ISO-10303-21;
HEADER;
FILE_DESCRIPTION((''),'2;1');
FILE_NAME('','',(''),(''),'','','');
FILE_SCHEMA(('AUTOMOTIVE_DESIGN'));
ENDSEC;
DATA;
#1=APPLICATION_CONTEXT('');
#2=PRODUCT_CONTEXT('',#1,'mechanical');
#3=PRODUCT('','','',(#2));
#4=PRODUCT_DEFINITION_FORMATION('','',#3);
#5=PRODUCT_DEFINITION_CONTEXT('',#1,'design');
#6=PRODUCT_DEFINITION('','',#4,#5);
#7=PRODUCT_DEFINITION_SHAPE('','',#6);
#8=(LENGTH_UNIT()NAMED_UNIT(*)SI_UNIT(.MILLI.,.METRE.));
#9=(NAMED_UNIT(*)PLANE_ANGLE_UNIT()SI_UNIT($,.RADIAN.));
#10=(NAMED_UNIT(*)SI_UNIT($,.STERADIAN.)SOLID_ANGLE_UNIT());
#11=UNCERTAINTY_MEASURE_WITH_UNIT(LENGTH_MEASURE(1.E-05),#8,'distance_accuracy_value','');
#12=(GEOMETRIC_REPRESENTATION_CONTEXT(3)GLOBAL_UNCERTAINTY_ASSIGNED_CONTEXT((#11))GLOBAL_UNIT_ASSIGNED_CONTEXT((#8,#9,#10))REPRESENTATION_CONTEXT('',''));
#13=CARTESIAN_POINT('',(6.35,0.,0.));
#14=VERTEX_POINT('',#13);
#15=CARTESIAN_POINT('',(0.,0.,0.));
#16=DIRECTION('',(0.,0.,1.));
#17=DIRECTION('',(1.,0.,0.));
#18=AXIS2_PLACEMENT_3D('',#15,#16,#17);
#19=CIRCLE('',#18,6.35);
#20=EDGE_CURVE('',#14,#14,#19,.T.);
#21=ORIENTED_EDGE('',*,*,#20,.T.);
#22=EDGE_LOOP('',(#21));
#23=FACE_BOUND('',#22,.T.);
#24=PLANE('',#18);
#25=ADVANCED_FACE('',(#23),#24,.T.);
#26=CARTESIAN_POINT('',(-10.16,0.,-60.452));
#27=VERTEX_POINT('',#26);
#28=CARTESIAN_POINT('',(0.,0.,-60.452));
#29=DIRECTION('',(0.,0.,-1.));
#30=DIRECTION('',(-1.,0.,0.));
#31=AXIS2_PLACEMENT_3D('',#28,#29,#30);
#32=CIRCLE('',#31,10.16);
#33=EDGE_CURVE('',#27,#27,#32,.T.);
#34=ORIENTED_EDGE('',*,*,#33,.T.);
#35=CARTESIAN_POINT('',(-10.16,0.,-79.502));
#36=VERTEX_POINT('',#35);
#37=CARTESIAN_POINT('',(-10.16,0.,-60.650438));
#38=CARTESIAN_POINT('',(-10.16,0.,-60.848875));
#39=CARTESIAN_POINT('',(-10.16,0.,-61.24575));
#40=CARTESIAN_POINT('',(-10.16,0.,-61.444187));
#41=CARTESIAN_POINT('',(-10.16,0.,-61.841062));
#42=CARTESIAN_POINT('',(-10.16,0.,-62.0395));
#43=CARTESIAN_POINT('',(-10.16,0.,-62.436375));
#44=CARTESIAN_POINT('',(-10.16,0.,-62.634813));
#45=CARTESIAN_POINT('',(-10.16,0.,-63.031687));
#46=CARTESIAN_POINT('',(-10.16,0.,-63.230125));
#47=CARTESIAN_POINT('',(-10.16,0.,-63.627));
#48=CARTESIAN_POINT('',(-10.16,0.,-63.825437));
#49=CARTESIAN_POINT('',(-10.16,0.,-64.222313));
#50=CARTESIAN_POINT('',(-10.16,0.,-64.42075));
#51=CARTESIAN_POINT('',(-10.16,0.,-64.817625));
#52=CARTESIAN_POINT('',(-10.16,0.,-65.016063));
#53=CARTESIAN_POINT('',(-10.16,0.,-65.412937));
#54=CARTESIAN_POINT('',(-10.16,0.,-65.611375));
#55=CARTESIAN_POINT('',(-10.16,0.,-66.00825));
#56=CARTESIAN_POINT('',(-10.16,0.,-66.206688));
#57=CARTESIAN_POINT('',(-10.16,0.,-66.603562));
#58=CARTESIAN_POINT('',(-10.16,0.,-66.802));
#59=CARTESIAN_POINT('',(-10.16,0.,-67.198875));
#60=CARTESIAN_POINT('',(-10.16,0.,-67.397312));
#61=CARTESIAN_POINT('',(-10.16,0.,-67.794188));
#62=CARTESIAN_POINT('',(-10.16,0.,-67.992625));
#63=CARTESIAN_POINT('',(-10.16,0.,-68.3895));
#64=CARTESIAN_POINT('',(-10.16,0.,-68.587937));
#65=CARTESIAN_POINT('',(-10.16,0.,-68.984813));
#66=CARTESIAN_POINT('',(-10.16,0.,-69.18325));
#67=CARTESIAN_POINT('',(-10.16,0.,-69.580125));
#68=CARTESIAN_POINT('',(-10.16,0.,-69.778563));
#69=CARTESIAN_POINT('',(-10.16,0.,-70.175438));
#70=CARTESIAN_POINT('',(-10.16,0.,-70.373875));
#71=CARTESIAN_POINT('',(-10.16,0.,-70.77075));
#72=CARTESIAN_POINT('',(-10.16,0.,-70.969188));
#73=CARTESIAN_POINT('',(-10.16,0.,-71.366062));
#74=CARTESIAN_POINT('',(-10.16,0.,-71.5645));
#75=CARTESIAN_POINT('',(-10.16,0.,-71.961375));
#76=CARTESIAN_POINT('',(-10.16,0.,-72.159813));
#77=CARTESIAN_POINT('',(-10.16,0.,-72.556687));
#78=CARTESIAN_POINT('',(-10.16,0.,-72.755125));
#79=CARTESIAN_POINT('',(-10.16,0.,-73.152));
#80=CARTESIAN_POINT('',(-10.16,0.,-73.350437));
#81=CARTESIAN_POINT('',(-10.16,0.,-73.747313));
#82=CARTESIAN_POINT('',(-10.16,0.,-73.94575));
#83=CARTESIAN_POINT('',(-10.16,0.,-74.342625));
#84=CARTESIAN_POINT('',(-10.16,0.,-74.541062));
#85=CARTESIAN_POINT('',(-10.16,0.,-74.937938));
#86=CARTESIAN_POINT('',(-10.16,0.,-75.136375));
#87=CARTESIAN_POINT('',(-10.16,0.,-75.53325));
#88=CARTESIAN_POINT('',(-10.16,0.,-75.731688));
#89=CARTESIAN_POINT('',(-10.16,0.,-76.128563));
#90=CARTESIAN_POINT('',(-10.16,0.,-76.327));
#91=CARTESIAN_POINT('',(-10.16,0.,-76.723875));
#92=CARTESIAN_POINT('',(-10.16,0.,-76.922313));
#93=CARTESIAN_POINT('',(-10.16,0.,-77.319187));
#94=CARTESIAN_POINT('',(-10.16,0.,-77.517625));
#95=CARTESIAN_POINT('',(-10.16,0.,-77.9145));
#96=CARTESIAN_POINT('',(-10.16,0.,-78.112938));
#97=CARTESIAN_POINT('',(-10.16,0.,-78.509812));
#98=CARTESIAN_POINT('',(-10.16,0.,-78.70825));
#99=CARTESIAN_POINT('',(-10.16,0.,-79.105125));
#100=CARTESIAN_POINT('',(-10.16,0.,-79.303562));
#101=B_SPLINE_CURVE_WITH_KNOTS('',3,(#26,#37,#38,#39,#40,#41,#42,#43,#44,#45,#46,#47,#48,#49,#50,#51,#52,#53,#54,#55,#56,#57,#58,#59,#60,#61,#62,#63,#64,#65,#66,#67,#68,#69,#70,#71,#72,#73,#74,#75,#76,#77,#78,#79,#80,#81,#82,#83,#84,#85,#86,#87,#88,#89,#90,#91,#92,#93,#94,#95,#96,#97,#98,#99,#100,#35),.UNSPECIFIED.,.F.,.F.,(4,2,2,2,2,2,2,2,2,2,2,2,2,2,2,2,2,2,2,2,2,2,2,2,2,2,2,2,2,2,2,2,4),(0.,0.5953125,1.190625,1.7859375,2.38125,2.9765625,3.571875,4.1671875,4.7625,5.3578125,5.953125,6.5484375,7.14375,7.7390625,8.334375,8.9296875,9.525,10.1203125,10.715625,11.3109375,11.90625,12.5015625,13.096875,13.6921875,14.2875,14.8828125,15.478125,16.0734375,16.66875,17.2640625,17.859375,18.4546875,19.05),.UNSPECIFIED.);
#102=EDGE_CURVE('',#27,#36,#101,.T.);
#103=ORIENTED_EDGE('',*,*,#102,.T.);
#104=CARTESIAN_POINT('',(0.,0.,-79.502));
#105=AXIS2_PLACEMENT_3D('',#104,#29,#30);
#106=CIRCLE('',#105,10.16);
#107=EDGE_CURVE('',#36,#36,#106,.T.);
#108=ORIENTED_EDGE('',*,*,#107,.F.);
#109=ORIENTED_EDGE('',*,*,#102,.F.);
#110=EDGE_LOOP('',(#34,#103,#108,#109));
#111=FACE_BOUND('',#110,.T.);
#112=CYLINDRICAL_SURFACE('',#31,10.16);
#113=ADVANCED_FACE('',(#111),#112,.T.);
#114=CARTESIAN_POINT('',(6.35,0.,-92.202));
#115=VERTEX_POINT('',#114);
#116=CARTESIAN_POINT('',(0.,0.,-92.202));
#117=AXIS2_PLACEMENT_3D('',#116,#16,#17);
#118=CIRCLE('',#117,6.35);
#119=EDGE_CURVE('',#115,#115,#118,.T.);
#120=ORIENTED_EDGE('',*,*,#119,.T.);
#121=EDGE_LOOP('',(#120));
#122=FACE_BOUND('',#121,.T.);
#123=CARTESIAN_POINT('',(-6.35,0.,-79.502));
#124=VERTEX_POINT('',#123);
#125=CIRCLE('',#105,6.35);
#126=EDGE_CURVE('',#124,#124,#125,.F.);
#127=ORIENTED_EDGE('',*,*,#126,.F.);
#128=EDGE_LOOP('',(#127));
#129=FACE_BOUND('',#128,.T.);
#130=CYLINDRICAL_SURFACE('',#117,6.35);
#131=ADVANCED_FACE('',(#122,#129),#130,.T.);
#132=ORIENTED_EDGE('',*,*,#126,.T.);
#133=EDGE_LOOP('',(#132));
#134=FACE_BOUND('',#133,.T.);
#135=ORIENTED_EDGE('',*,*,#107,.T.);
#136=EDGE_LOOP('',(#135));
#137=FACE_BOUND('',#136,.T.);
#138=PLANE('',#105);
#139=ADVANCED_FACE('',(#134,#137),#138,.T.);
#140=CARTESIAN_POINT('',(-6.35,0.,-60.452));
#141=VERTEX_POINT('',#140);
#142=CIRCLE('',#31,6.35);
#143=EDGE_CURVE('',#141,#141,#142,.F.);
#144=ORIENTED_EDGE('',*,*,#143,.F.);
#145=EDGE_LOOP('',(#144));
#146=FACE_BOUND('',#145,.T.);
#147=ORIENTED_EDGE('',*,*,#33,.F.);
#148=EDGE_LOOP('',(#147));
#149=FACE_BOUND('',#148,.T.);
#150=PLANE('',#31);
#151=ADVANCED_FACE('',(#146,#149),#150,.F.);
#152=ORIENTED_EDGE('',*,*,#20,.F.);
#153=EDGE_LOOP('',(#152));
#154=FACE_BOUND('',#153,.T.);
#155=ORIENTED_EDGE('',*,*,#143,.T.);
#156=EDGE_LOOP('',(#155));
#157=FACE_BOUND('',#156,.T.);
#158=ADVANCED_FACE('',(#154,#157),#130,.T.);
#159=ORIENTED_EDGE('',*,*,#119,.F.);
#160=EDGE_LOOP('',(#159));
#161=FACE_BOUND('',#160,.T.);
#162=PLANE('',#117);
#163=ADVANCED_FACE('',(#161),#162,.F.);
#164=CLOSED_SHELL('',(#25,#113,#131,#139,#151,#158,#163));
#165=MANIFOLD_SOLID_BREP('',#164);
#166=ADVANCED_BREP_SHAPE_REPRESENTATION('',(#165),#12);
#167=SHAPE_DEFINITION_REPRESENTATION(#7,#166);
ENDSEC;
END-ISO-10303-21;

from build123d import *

# Parameters (mm, degrees)
SKETCH1_R           = 6.35
BOSS_EXTRUDE1_DEPTH = 92.202
BOSS_EXTRUDE2_START = -12.7
SKETCH2_R           = 10.16
BOSS_EXTRUDE2_DEPTH = 19.05


with BuildPart() as part:
    # Sketch1 → Boss-Extrude1 (new body)
    with BuildSketch(Plane.XY):
        Circle(SKETCH1_R)
    extrude(amount=-BOSS_EXTRUDE1_DEPTH)

    # Sketch2 → Boss-Extrude2 (add)
    with BuildSketch(Plane(origin=(0, 0, -92.202), x_dir=(-1, 0, 0), z_dir=(0, 0, -1)).offset(BOSS_EXTRUDE2_START)):
        Circle(SKETCH2_R)
    extrude(amount=-BOSS_EXTRUDE2_DEPTH)


solid = part.part
